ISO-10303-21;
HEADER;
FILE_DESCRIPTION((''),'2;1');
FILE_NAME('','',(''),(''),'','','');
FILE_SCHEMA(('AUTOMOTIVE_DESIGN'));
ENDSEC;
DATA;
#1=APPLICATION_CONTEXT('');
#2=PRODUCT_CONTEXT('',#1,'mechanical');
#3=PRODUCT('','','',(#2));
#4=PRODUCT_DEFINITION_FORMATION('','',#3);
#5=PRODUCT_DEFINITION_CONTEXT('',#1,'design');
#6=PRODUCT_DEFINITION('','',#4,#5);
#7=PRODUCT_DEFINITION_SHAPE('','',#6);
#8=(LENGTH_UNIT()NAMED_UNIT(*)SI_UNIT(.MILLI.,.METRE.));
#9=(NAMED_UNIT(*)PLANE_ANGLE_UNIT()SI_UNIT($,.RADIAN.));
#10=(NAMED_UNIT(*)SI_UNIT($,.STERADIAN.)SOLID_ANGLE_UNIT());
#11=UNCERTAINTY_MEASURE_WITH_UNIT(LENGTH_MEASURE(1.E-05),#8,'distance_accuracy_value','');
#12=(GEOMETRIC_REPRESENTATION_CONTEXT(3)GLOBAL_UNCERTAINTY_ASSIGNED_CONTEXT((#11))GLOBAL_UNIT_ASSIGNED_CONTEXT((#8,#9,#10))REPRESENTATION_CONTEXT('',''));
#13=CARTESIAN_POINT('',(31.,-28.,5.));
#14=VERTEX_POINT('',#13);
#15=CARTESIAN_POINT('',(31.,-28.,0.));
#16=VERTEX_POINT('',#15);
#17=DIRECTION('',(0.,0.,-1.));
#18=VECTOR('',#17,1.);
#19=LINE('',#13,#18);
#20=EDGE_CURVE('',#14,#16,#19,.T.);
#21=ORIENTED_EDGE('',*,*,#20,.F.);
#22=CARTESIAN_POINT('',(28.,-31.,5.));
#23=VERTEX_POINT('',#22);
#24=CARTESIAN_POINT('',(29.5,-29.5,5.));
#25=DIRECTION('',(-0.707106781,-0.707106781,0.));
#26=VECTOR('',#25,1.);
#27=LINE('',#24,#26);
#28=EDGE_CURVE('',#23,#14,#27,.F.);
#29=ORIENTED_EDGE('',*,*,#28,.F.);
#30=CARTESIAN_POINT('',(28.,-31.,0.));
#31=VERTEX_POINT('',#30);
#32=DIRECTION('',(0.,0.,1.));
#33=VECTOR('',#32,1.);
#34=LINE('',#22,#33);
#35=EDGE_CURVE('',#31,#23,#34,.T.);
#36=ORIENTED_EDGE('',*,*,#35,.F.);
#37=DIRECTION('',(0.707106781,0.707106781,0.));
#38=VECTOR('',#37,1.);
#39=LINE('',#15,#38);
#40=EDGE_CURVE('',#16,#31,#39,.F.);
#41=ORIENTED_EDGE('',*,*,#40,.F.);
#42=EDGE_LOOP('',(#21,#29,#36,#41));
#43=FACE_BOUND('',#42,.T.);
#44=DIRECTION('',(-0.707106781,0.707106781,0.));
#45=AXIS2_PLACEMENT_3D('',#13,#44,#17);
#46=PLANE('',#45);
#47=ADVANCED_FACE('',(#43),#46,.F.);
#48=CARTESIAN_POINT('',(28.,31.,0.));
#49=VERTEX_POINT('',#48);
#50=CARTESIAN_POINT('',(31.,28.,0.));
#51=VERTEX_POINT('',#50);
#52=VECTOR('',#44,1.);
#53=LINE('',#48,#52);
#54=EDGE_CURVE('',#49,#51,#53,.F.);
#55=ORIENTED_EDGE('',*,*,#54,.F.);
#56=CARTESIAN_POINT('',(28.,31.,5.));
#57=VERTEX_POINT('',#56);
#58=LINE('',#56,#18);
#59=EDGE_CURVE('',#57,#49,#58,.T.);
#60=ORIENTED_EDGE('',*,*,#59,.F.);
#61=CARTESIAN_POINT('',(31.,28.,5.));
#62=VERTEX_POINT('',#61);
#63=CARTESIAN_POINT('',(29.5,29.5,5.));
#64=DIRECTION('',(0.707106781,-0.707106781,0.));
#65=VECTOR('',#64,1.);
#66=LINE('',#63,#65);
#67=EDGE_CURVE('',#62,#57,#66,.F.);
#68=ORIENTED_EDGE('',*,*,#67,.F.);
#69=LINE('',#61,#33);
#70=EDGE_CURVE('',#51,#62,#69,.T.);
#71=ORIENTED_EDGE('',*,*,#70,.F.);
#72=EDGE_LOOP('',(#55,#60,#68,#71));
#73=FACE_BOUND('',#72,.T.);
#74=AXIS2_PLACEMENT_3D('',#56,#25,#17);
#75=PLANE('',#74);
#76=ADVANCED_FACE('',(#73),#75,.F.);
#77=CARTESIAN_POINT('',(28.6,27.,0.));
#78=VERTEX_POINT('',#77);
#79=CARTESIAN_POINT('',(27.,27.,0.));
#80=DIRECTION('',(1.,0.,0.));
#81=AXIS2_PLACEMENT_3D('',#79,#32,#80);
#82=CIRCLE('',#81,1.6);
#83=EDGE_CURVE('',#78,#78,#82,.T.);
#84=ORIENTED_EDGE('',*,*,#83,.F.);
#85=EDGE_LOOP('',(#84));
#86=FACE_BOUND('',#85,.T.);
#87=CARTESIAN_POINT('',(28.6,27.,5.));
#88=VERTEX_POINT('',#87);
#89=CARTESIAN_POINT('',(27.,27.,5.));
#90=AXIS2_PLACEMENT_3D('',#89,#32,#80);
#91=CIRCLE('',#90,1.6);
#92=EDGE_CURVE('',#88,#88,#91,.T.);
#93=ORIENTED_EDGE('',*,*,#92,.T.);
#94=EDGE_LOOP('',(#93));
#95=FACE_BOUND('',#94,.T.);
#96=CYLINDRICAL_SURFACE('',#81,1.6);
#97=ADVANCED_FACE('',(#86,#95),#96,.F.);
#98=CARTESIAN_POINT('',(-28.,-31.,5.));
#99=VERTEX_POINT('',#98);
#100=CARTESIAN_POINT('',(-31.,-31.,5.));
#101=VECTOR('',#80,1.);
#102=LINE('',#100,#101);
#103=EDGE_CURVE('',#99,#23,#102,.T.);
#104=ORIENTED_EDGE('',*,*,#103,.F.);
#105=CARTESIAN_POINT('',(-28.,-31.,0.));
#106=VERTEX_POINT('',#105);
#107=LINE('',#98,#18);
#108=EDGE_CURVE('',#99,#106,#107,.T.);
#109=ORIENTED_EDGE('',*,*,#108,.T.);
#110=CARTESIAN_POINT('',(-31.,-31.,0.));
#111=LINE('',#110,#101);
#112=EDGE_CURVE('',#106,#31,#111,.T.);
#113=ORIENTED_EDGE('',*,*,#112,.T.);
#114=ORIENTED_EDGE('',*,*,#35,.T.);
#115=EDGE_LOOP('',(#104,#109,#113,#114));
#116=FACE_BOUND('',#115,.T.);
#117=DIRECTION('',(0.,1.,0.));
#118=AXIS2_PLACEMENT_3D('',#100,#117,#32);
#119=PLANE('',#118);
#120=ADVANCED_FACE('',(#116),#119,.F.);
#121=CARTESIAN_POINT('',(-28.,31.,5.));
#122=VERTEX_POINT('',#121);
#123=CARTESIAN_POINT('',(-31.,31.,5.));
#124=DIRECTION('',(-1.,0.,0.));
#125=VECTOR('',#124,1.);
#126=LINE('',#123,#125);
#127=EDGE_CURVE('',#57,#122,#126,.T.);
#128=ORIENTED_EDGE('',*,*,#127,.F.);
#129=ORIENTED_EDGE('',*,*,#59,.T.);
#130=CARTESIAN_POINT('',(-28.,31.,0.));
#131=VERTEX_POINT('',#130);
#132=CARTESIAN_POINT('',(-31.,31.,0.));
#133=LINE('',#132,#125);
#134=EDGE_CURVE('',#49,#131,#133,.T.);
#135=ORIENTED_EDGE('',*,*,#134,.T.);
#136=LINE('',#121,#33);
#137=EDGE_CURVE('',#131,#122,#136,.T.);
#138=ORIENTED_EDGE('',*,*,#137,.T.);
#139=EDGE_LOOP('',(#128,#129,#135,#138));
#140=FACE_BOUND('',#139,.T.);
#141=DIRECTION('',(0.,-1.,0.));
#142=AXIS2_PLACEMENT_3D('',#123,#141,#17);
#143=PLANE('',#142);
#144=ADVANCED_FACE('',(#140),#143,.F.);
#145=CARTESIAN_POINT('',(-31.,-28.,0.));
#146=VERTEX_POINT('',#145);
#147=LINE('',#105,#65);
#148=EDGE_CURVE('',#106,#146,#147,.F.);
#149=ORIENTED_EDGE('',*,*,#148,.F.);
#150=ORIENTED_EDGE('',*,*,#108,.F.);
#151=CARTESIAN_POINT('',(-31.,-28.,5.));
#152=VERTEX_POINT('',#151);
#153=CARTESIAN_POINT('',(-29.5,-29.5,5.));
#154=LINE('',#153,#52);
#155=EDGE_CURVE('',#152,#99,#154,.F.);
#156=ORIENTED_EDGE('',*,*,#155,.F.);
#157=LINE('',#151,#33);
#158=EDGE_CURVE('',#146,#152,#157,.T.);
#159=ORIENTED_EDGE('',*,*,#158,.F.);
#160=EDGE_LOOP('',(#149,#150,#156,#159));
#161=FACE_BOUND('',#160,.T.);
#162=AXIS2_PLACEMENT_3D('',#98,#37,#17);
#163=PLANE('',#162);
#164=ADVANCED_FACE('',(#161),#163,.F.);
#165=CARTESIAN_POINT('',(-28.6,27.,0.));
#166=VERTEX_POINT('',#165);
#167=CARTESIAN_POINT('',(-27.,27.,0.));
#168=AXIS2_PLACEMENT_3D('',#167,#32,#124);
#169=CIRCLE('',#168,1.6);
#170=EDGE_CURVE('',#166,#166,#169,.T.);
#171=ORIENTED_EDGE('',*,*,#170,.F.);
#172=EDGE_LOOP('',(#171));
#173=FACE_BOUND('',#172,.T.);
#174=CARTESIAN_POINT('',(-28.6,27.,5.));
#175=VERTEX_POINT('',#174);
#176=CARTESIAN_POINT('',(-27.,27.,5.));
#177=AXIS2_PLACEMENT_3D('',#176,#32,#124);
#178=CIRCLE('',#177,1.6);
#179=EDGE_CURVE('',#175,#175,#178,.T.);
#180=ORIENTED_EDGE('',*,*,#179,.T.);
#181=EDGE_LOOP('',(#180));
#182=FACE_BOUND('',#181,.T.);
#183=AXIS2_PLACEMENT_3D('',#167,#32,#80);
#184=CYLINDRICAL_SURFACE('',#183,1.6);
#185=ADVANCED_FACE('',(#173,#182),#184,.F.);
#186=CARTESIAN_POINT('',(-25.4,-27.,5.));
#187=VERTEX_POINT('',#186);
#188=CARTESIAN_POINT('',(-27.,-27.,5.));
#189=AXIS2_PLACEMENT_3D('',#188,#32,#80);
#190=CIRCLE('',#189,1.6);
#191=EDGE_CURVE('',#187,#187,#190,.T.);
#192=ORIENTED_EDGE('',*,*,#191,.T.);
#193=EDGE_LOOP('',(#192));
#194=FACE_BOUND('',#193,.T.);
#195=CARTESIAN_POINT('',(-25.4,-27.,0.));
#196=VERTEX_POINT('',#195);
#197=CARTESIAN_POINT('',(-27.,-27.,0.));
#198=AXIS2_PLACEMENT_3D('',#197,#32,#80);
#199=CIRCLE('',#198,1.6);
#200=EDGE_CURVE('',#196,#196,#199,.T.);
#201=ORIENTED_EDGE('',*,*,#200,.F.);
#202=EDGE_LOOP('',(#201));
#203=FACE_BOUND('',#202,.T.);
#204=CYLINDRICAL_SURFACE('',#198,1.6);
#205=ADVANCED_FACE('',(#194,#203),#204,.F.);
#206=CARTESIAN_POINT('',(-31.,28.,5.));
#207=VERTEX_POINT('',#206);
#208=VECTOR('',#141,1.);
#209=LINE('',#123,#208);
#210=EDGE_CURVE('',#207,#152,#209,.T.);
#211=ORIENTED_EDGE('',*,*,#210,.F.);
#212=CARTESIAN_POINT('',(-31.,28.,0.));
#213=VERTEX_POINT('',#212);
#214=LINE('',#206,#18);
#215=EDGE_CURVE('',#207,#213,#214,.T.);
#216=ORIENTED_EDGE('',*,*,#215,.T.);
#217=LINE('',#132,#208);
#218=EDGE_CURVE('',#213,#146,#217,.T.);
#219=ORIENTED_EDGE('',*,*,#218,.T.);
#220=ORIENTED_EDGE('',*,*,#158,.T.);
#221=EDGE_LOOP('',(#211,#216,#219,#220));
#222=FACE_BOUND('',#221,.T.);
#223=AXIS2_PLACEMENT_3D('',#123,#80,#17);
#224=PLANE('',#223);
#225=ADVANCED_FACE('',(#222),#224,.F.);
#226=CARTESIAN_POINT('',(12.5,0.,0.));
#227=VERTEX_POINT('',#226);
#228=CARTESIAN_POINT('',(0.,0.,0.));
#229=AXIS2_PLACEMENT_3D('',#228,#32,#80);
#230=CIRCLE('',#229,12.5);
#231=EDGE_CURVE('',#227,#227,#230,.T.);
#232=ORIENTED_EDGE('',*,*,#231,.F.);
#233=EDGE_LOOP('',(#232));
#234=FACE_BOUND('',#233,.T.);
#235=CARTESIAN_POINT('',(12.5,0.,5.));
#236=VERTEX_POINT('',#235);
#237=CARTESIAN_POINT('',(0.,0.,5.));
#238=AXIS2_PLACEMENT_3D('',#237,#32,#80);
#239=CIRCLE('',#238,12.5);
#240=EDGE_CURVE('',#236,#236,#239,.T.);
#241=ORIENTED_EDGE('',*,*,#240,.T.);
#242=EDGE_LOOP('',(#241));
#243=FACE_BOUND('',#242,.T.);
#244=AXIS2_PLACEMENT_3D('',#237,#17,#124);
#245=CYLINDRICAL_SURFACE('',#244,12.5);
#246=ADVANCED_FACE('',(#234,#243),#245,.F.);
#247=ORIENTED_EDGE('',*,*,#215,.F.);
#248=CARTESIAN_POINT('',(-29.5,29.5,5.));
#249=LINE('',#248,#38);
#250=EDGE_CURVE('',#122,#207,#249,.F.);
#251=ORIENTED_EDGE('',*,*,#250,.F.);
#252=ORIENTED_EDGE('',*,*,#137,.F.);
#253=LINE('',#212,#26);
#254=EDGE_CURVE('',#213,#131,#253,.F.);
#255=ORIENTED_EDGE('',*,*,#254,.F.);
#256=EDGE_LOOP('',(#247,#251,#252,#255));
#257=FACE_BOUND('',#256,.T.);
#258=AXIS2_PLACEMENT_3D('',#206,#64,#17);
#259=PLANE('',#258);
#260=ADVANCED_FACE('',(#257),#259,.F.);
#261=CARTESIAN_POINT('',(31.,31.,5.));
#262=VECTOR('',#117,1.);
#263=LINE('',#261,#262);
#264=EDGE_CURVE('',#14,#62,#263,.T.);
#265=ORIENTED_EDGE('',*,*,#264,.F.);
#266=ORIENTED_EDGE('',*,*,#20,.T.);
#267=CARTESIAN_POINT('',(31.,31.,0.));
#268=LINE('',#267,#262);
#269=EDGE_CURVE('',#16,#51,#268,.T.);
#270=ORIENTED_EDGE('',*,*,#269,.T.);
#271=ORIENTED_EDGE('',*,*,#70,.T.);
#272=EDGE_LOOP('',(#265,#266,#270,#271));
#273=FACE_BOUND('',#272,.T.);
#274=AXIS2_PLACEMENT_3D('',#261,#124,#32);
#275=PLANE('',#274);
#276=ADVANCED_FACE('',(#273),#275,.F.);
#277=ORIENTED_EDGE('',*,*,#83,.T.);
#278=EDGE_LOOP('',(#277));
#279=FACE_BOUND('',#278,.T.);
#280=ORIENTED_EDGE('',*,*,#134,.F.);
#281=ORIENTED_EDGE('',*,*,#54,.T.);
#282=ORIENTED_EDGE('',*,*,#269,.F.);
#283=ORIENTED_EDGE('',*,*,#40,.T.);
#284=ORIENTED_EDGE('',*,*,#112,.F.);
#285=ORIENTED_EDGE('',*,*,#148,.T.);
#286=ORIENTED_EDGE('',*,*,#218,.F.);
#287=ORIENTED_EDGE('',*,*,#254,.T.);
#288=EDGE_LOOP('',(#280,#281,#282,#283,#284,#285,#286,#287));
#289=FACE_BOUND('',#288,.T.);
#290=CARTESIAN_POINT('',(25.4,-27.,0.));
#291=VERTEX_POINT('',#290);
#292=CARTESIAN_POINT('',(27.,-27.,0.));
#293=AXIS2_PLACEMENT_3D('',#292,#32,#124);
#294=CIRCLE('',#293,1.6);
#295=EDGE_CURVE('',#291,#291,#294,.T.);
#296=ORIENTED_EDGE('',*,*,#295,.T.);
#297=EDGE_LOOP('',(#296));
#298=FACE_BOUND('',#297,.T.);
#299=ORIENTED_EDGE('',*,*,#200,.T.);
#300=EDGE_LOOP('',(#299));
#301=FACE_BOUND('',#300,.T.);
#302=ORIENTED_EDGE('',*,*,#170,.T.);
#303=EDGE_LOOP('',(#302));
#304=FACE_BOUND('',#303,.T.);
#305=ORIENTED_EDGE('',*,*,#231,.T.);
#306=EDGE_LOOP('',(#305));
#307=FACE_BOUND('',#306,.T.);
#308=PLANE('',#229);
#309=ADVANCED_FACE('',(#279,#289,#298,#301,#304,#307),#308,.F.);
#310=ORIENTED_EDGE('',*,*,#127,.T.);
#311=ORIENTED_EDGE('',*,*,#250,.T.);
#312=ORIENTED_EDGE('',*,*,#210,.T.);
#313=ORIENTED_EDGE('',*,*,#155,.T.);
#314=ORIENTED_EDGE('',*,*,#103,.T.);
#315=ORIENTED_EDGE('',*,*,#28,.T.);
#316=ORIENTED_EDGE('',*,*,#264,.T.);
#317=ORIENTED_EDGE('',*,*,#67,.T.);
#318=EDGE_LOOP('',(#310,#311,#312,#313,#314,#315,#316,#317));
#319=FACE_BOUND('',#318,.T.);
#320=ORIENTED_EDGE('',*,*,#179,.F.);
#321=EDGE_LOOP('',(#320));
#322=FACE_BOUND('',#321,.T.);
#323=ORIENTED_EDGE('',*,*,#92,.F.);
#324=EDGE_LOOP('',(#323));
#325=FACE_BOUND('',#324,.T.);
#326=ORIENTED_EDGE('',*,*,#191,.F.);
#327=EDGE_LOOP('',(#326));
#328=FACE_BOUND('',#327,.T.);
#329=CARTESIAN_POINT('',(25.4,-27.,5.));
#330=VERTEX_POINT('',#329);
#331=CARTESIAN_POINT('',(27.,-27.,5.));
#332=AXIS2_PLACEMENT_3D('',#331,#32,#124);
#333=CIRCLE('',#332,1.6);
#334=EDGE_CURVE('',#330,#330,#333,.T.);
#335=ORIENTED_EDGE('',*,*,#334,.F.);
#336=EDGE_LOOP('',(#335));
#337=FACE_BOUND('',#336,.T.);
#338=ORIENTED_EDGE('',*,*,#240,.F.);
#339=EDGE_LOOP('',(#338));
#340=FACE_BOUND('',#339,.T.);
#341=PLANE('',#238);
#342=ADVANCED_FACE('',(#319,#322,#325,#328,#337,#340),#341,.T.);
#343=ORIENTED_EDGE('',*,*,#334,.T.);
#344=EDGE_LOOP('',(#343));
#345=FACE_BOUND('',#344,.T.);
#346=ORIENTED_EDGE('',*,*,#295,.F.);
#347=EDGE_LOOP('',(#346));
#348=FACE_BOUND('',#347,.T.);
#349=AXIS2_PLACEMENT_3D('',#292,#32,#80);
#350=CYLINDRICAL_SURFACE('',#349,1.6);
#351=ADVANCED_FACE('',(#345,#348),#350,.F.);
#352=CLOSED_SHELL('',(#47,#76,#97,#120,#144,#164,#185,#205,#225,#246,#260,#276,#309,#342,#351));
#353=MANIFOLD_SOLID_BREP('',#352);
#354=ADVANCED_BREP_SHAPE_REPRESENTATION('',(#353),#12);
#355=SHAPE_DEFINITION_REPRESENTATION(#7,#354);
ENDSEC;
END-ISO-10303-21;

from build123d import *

# Parameters (mm, degrees)
SKETCH_1_W          = 62
SKETCH_1_H          = 62
SKETCH_1_R          = 12.5
EXTRUDE_1_DEPTH     = 5
CHAMFER_1_SIZE      = 3
SKETCH_2_R          = 1.6
CUT_EXTRUDE_1_DEPTH = 45.124822946


with BuildPart() as part:
    # ｽｹｯﾁ1 → ﾎﾞｽ - 押し出し1 (new body)
    with BuildSketch(Plane.XY):
        Rectangle(SKETCH_1_W, SKETCH_1_H)
        Circle(SKETCH_1_R, mode=Mode.SUBTRACT)
    extrude(amount=EXTRUDE_1_DEPTH)

    # 面取り1
    chamfer_1_edges = [part.edges().sort_by_distance(p)[0] for p in [
        (-31, 31, 2.5),
        (31, 31, 2.5),
        (31, -31, 2.5),
        (-31, -31, 2.5),
    ]]
    chamfer(chamfer_1_edges, length=CHAMFER_1_SIZE)

    # ｽｹｯﾁ2 → ｶｯﾄ - 押し出し1 (cut, through all)
    with BuildSketch(Plane.XY.offset(5)):
        with Locations((27, 27)):
            Circle(SKETCH_2_R)
        with Locations(Location((-27, 27, 0), (0, 0, 180))):
            Circle(SKETCH_2_R)
        with Locations(Location((27, -27, 0), (0, 0, 180))):
            Circle(SKETCH_2_R)
        with Locations((-27, -27)):
            Circle(SKETCH_2_R)
    extrude(amount=-CUT_EXTRUDE_1_DEPTH, mode=Mode.SUBTRACT)


solid = part.part
